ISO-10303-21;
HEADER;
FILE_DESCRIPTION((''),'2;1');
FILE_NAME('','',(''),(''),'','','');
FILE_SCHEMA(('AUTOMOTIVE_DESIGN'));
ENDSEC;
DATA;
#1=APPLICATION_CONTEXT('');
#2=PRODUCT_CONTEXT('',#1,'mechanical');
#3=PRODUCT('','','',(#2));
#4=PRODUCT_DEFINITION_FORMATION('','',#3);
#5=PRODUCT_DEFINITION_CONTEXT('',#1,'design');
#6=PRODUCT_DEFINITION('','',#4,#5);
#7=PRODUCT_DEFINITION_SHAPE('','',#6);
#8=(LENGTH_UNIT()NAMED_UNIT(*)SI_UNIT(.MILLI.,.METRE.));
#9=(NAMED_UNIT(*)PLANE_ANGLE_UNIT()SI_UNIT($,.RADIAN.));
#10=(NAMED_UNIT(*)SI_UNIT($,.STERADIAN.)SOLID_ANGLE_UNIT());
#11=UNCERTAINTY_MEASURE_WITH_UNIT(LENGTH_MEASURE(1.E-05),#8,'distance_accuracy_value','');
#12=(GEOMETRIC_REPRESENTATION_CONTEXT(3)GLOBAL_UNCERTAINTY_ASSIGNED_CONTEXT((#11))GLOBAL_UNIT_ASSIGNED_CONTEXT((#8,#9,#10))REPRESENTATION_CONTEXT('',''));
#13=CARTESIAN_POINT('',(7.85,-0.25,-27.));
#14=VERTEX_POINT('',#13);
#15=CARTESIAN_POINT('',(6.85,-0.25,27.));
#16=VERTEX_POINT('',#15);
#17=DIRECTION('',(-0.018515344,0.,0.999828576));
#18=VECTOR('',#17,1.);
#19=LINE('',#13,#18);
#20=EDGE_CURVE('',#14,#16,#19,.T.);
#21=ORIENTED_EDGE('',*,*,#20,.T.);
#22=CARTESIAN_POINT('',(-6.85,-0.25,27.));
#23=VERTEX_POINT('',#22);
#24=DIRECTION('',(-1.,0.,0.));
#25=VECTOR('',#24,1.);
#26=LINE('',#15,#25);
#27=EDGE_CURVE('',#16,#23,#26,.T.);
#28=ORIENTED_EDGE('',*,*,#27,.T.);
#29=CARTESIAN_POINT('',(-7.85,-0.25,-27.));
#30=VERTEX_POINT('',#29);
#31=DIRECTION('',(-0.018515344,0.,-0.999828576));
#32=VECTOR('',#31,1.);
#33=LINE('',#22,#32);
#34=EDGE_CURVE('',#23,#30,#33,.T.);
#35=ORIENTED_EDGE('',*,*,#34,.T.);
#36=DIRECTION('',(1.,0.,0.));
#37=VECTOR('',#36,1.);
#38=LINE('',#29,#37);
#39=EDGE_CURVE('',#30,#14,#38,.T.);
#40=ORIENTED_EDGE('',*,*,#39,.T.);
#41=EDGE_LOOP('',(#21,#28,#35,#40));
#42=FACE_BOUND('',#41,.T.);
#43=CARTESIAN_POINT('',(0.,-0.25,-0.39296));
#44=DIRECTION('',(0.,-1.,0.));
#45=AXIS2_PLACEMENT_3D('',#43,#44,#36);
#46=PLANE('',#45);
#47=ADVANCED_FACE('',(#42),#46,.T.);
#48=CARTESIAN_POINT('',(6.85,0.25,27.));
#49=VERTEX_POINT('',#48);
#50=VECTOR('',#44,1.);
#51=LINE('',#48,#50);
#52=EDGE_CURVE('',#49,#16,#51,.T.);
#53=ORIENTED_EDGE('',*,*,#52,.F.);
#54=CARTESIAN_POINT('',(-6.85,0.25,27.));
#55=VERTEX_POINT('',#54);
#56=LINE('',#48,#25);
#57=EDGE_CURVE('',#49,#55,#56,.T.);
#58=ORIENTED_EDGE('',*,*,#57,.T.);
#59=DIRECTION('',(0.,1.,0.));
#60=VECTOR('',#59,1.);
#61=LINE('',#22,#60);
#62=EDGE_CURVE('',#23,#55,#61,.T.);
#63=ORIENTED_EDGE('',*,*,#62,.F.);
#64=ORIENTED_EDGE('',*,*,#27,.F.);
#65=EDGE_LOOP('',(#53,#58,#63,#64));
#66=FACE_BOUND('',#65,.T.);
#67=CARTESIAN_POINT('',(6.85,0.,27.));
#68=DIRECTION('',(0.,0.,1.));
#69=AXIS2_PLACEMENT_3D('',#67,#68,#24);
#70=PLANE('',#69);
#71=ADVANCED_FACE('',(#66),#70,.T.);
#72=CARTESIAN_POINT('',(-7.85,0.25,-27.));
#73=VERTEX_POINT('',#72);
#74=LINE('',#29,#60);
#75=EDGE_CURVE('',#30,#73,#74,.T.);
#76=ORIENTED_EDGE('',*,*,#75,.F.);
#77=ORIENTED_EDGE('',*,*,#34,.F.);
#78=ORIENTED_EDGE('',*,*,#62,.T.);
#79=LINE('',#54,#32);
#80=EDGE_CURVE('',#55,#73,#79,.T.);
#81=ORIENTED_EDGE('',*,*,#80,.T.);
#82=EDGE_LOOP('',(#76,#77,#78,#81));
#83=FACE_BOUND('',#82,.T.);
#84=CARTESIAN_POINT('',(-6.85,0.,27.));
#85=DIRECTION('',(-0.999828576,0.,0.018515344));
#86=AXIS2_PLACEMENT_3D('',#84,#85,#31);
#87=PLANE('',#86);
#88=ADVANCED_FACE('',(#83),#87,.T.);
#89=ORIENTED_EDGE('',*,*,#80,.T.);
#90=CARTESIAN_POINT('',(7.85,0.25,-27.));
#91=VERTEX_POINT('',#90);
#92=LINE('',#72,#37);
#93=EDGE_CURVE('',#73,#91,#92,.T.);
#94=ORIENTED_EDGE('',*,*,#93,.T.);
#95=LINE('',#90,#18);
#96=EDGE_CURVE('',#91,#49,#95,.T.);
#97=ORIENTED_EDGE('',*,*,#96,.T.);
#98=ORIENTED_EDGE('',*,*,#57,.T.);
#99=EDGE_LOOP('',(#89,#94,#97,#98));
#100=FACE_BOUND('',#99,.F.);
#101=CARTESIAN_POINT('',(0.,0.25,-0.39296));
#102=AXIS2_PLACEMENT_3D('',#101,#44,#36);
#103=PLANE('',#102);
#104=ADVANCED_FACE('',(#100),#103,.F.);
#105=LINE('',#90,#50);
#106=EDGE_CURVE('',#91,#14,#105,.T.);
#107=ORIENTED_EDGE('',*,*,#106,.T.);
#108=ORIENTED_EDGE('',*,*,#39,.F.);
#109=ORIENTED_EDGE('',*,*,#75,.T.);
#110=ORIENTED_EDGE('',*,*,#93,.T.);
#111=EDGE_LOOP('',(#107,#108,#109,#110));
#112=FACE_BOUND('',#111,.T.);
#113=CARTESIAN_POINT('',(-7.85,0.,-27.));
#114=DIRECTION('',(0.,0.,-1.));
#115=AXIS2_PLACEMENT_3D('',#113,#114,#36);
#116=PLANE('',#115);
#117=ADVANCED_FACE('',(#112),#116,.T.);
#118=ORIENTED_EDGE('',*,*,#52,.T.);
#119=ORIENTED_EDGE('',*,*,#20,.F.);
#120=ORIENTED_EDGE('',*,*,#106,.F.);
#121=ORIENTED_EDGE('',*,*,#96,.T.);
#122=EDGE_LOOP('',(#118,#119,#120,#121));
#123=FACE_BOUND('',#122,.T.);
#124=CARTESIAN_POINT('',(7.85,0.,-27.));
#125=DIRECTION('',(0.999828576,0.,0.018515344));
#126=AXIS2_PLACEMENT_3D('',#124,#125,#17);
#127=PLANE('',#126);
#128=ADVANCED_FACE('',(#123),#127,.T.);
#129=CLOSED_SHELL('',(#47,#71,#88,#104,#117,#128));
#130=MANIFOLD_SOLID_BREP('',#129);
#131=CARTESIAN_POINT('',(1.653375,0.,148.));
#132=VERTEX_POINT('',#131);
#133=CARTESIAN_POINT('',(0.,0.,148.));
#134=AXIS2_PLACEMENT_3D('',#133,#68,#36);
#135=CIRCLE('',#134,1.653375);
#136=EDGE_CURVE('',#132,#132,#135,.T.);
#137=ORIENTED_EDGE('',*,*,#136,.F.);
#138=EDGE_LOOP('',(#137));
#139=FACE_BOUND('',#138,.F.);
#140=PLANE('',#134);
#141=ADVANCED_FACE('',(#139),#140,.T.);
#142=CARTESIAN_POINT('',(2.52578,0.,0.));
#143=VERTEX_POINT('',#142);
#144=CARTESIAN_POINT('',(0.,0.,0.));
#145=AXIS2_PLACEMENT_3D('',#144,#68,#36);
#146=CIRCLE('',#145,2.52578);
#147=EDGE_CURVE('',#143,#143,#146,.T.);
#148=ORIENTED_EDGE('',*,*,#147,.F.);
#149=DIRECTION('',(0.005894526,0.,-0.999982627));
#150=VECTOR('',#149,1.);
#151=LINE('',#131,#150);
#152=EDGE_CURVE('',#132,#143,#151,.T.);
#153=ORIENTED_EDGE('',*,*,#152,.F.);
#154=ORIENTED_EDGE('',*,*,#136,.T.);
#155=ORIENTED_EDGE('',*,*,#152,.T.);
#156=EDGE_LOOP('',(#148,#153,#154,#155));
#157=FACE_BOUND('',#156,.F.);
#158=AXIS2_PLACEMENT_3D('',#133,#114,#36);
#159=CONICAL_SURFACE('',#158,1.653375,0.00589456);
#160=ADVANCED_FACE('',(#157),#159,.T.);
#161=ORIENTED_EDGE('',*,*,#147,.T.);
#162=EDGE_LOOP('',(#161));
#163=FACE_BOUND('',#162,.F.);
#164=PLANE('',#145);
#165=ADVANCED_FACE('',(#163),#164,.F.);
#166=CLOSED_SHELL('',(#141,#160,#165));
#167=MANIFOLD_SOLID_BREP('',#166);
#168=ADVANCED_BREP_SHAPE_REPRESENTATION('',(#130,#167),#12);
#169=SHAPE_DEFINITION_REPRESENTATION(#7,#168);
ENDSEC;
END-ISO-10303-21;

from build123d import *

# Parameters (mm, degrees)
PAD_DEPTH = 0.25


with BuildPart() as b_mandrel:
    # Sketch → Revolution (revolve)
    with BuildSketch(Plane.XZ):
        Polygon((0, 148), (1.653375, 148), (2.52578, 0), (0, 0), align=None)
    revolve(axis=Axis((0, 0, 0), (0, 0, 1)))


with BuildPart() as b_staple_blank:
    # Sketch001 → Pad (new body, symmetric)
    with BuildSketch(Plane.XZ):
        Polygon((-7.85, -27), (7.85, -27), (6.85, 27), (-6.85, 27), align=None)
    extrude(amount=PAD_DEPTH, both=True)


solid = Compound([b_mandrel.part, b_staple_blank.part])
